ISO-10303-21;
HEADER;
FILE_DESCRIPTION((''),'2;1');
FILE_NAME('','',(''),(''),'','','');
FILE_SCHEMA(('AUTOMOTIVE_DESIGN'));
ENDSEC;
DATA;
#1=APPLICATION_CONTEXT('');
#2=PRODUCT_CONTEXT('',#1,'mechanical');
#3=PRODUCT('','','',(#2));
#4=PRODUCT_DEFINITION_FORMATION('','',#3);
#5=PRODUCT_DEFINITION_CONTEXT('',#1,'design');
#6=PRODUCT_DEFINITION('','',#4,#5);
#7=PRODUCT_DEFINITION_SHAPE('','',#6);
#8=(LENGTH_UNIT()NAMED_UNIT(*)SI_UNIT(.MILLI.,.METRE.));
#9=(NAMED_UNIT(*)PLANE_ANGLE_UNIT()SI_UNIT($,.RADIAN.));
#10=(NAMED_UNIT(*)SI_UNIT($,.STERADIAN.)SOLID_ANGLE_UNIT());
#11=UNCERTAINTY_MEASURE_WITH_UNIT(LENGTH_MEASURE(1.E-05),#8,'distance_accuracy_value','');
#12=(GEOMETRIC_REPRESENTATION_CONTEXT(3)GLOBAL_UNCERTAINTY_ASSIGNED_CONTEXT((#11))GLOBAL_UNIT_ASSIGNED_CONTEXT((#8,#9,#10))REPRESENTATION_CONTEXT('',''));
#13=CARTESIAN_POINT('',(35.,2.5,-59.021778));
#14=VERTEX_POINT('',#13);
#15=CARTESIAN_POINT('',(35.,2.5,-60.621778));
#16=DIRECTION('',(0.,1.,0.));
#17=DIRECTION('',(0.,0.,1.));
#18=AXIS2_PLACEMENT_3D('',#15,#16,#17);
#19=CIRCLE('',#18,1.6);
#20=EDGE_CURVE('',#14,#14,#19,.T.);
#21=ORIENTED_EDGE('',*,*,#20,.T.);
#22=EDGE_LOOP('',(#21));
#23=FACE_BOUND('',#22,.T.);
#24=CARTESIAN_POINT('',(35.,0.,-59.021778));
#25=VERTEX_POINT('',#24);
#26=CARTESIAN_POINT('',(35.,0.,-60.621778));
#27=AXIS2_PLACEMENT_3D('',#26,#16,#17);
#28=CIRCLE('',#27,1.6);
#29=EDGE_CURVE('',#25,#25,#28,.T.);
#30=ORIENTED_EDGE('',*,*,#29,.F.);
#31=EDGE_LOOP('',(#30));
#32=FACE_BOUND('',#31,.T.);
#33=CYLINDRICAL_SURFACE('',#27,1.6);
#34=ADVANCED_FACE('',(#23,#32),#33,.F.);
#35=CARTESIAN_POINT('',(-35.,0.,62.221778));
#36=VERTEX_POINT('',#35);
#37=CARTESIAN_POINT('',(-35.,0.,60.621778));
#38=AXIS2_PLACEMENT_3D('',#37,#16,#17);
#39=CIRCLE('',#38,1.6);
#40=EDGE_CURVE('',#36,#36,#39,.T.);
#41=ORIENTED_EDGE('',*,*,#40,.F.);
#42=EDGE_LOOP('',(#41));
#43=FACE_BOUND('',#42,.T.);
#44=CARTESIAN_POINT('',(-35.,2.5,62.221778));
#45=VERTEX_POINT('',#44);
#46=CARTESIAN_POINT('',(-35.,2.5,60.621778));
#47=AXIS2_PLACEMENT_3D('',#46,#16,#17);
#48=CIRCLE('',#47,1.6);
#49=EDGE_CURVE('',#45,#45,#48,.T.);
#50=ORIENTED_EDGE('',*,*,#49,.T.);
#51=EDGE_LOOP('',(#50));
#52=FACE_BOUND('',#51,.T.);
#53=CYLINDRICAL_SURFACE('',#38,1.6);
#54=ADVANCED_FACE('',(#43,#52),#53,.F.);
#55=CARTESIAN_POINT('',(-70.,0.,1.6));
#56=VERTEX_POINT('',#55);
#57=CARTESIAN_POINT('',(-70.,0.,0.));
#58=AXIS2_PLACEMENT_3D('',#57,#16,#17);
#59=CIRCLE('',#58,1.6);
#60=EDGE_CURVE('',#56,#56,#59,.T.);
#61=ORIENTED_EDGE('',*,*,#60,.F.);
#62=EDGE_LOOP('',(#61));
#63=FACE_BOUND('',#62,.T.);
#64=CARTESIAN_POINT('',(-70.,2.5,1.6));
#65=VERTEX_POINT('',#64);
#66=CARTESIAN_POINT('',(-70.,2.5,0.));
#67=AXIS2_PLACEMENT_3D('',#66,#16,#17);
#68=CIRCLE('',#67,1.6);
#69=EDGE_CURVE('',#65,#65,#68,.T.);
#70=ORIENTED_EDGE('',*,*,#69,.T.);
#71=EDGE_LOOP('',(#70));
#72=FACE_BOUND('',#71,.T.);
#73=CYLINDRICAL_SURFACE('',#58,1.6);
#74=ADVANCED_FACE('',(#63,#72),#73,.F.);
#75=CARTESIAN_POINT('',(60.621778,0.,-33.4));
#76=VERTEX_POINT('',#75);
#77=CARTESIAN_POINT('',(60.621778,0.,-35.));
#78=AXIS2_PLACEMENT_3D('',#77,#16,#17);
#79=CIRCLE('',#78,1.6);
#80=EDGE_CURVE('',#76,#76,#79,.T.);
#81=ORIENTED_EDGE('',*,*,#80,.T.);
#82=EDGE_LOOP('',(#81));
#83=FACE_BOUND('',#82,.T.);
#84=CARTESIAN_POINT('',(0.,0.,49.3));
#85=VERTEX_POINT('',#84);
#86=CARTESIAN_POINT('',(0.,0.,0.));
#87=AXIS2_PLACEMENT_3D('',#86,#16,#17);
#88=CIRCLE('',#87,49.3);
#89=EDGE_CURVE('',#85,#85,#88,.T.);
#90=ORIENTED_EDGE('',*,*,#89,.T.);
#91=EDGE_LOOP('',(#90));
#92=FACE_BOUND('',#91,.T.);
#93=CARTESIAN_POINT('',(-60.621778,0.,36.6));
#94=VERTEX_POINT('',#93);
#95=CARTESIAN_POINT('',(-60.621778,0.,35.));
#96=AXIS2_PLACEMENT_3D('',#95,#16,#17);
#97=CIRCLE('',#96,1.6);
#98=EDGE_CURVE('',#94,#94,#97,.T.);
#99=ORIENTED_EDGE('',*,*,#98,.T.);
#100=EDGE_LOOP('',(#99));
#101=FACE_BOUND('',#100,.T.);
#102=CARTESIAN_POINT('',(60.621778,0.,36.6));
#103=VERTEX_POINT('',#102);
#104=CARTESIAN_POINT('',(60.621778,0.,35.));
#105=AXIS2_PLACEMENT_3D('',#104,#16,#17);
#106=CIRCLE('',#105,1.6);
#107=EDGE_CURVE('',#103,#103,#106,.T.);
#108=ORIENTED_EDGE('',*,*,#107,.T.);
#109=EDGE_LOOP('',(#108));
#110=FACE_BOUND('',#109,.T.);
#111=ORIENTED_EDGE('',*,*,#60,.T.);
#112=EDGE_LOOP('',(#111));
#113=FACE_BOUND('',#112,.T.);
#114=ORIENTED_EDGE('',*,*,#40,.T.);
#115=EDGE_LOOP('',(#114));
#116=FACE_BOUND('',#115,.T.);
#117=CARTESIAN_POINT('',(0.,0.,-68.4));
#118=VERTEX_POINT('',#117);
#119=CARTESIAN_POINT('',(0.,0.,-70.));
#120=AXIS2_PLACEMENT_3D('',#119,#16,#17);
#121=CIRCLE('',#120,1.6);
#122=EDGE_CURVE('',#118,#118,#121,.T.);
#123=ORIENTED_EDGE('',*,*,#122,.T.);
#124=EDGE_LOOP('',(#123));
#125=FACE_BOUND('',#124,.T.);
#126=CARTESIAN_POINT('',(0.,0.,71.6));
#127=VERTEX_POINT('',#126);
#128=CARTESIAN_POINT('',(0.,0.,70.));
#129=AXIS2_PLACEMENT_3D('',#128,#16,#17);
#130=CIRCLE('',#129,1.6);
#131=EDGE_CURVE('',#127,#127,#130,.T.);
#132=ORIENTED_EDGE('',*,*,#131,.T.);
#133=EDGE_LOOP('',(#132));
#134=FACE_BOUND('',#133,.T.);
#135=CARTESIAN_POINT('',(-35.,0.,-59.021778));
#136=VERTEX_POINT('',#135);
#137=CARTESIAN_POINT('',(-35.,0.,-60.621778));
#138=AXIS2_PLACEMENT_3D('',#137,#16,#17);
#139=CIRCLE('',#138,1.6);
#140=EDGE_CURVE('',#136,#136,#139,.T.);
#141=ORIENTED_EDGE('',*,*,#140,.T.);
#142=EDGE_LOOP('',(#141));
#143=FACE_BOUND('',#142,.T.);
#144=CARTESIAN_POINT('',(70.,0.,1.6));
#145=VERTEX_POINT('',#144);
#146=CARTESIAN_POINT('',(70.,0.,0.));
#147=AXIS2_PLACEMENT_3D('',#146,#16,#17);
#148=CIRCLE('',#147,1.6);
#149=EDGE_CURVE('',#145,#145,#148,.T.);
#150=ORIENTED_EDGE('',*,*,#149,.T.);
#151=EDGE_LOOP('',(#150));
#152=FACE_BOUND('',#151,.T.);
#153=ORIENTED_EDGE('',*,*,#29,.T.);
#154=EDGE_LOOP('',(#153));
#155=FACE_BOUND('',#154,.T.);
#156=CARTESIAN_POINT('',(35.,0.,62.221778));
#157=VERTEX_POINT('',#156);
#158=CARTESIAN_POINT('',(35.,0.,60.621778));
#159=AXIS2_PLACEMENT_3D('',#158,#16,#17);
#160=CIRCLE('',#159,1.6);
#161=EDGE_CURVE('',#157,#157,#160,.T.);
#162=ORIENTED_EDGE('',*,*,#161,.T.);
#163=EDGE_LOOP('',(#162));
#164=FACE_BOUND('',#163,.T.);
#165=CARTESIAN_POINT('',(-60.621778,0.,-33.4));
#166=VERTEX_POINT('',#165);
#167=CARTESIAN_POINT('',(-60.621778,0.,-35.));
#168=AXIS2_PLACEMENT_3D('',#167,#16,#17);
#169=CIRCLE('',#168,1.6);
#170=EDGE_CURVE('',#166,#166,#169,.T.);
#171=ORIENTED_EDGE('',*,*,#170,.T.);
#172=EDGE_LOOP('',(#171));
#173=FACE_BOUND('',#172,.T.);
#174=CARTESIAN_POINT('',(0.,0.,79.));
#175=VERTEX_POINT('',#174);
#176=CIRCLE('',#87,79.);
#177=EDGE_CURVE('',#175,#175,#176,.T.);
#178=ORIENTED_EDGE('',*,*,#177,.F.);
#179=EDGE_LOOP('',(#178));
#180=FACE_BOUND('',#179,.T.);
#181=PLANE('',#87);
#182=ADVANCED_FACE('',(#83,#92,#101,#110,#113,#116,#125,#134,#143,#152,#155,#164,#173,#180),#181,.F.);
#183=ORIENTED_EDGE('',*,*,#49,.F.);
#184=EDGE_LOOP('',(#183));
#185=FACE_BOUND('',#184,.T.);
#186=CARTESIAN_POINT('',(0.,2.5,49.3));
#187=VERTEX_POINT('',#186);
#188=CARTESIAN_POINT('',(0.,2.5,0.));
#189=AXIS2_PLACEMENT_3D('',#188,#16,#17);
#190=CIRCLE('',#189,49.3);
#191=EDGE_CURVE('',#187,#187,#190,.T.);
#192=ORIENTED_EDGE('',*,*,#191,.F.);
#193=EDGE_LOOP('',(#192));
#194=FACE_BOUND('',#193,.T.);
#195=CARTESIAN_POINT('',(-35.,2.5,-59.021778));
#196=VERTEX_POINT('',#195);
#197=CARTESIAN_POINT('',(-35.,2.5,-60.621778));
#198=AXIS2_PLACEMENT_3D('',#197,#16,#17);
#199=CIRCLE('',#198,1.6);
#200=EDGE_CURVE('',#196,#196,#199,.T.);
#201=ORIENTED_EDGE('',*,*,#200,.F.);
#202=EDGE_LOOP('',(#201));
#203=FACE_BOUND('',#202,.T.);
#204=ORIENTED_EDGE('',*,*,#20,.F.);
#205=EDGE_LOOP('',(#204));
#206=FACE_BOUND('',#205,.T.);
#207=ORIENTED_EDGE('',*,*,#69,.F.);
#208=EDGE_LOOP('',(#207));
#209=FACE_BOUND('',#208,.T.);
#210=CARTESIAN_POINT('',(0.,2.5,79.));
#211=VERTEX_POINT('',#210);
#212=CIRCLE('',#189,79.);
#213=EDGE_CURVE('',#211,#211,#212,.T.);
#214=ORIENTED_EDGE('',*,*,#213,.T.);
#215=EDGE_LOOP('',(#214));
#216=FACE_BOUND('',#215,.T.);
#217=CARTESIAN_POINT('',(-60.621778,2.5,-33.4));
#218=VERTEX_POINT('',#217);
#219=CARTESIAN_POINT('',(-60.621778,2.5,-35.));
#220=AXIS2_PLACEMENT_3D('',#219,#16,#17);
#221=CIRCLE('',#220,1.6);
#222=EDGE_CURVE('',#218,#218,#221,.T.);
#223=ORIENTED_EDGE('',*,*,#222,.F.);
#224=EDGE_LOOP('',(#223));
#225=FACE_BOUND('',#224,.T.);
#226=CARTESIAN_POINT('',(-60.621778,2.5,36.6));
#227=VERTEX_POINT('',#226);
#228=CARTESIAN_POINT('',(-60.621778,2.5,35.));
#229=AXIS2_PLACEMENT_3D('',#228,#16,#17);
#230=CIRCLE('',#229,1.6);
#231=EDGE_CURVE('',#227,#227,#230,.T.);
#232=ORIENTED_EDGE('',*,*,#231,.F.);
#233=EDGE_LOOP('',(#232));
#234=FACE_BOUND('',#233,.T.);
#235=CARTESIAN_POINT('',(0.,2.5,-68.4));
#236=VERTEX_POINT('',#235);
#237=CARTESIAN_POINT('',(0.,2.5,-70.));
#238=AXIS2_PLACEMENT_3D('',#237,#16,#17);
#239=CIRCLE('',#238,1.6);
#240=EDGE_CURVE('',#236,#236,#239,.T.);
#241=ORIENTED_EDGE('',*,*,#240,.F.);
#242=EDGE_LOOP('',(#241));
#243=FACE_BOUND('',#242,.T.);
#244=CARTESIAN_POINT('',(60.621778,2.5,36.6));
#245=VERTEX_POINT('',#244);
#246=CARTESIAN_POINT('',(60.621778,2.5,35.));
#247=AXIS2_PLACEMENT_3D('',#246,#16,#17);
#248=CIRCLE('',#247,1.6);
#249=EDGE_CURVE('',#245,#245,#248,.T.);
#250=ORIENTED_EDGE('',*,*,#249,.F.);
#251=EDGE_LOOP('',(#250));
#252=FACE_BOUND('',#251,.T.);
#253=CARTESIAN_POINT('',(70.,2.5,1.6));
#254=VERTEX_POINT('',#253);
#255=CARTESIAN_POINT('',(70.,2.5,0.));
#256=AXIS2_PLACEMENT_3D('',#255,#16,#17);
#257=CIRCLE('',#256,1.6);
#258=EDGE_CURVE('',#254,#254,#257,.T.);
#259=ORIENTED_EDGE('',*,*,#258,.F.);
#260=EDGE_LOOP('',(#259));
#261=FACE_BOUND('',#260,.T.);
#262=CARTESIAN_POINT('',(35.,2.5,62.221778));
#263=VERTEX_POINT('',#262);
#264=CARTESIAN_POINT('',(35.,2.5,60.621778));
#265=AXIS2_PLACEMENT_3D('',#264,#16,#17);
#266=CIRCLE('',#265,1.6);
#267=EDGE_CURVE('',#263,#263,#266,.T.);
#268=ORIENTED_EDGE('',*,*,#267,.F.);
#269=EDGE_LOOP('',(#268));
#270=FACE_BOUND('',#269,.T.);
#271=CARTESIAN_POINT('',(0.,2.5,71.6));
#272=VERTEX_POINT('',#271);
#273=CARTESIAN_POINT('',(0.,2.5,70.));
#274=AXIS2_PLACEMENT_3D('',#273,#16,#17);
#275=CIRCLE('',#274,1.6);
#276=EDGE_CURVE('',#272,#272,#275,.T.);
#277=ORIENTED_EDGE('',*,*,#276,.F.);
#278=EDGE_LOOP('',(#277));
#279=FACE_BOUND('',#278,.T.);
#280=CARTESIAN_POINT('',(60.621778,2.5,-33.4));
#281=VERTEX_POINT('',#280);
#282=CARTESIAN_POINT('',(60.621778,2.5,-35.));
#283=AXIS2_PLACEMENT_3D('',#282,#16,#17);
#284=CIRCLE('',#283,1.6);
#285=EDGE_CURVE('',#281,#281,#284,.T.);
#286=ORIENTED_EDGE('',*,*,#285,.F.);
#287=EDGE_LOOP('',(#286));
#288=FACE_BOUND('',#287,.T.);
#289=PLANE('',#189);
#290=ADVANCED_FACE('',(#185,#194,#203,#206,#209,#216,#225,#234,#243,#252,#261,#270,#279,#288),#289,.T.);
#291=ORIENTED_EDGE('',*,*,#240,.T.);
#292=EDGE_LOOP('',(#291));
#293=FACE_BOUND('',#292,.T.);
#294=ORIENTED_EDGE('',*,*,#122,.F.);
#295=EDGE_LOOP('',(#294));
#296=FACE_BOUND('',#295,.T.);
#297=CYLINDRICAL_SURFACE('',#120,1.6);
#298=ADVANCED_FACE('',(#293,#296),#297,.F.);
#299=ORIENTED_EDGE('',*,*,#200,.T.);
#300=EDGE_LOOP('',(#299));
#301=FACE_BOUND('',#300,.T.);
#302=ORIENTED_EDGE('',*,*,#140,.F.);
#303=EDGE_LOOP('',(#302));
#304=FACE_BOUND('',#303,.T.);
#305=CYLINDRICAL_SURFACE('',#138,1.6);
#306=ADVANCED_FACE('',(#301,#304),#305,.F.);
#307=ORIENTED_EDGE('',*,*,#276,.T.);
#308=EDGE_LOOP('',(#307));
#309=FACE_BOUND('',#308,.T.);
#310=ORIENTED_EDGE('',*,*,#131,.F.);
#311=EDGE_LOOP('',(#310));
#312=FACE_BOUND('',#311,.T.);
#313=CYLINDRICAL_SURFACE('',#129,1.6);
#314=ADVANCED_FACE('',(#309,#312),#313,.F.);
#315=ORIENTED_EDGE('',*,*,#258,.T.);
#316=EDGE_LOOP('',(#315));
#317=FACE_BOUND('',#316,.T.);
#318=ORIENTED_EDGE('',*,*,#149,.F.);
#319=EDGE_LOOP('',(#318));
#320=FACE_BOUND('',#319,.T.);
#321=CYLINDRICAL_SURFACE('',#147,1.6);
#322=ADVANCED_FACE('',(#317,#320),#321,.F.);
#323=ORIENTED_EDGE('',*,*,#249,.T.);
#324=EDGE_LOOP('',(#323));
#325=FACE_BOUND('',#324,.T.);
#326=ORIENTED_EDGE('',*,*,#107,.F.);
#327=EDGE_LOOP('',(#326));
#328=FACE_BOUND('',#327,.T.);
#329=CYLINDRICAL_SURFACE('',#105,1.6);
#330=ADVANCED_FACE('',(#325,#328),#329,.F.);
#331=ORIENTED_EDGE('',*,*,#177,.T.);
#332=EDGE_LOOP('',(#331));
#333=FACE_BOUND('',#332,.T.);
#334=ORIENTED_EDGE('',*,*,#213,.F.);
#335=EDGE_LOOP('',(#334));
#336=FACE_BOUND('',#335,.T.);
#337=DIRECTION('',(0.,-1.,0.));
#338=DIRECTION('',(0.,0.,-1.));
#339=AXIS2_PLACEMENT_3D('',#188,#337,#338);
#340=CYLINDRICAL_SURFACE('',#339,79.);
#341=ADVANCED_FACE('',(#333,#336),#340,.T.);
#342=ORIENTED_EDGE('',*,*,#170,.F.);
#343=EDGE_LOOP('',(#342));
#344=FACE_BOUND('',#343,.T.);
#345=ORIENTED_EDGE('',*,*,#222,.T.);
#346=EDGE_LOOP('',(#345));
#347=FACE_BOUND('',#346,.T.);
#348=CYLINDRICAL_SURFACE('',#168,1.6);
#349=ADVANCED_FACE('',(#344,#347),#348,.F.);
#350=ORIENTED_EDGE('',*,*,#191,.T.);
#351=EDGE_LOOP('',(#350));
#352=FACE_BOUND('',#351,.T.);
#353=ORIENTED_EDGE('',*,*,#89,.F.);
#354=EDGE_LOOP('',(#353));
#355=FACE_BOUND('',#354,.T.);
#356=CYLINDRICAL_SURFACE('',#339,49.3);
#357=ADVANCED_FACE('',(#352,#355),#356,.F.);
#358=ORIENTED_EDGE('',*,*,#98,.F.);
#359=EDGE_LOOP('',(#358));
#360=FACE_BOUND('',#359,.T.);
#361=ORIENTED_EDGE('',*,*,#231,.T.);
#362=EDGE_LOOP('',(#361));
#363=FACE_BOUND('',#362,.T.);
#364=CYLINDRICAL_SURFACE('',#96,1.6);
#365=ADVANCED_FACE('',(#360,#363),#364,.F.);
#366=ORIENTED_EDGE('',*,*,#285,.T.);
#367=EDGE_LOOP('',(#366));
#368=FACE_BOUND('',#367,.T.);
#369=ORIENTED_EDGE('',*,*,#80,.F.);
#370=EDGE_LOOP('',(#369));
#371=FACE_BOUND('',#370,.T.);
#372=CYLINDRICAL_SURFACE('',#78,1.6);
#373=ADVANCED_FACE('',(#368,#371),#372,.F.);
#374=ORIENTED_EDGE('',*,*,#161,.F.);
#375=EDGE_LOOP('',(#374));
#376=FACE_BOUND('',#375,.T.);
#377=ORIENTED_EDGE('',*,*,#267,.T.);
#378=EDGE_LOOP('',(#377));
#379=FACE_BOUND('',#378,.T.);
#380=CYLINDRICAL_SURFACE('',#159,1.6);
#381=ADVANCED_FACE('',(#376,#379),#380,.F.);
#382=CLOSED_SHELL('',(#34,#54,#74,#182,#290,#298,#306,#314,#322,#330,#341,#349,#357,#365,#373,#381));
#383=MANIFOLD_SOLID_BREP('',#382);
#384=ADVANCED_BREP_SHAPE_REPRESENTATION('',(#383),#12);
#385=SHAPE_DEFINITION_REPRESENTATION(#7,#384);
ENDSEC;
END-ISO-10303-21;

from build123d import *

# Parameters (mm, degrees)
SKETCH1_R           = 79
SKETCH1_R_2         = 49.3
BOSS_EXTRUDE1_DEPTH = 2.5
SKETCH2_R           = 1.6
CUT_EXTRUDE1_DEPTH  = 112.750838923


with BuildPart() as part:
    # Sketch1 → Boss-Extrude1 (new body)
    with BuildSketch(Plane(origin=(0, 0, 0), x_dir=(1, 0, 0), z_dir=(0, 1, 0))):
        with Locations(Location((0, 0, 0), (0, 0, 270))):
            Circle(SKETCH1_R)
        with Locations(Location((0, 0, 0), (0, 0, 270))):
            Circle(SKETCH1_R_2, mode=Mode.SUBTRACT)
    extrude(amount=BOSS_EXTRUDE1_DEPTH)

    # Sketch2 → Cut-Extrude1 (cut, through all)
    with BuildSketch(Plane(origin=(0, 2.5, 0), x_dir=(1, 0, 0), z_dir=(0, 1, 0))):
        with Locations(Location((0, 70, 0), (0, 0, 270))):
            Circle(SKETCH2_R)
        with Locations(Location((35, 60.621778265, 0), (0, 0, 270))):
            Circle(SKETCH2_R)
        with Locations(Location((60.621778265, 35, 0), (0, 0, 270))):
            Circle(SKETCH2_R)
        with Locations(Location((70, 0, 0), (0, 0, 270))):
            Circle(SKETCH2_R)
        with Locations(Location((60.621778265, -35, 0), (0, 0, 270))):
            Circle(SKETCH2_R)
        with Locations(Location((35, -60.621778265, 0), (0, 0, 270))):
            Circle(SKETCH2_R)
        with Locations(Location((0, -70, 0), (0, 0, 270))):
            Circle(SKETCH2_R)
        with Locations(Location((-35, -60.621778265, 0), (0, 0, 270))):
            Circle(SKETCH2_R)
        with Locations(Location((-60.621778265, -35, 0), (0, 0, 270))):
            Circle(SKETCH2_R)
        with Locations(Location((-70, 0, 0), (0, 0, 270))):
            Circle(SKETCH2_R)
        with Locations(Location((-60.621778265, 35, 0), (0, 0, 270))):
            Circle(SKETCH2_R)
        with Locations(Location((-35, 60.621778265, 0), (0, 0, 270))):
            Circle(SKETCH2_R)
    extrude(amount=-CUT_EXTRUDE1_DEPTH, mode=Mode.SUBTRACT)


solid = part.part
